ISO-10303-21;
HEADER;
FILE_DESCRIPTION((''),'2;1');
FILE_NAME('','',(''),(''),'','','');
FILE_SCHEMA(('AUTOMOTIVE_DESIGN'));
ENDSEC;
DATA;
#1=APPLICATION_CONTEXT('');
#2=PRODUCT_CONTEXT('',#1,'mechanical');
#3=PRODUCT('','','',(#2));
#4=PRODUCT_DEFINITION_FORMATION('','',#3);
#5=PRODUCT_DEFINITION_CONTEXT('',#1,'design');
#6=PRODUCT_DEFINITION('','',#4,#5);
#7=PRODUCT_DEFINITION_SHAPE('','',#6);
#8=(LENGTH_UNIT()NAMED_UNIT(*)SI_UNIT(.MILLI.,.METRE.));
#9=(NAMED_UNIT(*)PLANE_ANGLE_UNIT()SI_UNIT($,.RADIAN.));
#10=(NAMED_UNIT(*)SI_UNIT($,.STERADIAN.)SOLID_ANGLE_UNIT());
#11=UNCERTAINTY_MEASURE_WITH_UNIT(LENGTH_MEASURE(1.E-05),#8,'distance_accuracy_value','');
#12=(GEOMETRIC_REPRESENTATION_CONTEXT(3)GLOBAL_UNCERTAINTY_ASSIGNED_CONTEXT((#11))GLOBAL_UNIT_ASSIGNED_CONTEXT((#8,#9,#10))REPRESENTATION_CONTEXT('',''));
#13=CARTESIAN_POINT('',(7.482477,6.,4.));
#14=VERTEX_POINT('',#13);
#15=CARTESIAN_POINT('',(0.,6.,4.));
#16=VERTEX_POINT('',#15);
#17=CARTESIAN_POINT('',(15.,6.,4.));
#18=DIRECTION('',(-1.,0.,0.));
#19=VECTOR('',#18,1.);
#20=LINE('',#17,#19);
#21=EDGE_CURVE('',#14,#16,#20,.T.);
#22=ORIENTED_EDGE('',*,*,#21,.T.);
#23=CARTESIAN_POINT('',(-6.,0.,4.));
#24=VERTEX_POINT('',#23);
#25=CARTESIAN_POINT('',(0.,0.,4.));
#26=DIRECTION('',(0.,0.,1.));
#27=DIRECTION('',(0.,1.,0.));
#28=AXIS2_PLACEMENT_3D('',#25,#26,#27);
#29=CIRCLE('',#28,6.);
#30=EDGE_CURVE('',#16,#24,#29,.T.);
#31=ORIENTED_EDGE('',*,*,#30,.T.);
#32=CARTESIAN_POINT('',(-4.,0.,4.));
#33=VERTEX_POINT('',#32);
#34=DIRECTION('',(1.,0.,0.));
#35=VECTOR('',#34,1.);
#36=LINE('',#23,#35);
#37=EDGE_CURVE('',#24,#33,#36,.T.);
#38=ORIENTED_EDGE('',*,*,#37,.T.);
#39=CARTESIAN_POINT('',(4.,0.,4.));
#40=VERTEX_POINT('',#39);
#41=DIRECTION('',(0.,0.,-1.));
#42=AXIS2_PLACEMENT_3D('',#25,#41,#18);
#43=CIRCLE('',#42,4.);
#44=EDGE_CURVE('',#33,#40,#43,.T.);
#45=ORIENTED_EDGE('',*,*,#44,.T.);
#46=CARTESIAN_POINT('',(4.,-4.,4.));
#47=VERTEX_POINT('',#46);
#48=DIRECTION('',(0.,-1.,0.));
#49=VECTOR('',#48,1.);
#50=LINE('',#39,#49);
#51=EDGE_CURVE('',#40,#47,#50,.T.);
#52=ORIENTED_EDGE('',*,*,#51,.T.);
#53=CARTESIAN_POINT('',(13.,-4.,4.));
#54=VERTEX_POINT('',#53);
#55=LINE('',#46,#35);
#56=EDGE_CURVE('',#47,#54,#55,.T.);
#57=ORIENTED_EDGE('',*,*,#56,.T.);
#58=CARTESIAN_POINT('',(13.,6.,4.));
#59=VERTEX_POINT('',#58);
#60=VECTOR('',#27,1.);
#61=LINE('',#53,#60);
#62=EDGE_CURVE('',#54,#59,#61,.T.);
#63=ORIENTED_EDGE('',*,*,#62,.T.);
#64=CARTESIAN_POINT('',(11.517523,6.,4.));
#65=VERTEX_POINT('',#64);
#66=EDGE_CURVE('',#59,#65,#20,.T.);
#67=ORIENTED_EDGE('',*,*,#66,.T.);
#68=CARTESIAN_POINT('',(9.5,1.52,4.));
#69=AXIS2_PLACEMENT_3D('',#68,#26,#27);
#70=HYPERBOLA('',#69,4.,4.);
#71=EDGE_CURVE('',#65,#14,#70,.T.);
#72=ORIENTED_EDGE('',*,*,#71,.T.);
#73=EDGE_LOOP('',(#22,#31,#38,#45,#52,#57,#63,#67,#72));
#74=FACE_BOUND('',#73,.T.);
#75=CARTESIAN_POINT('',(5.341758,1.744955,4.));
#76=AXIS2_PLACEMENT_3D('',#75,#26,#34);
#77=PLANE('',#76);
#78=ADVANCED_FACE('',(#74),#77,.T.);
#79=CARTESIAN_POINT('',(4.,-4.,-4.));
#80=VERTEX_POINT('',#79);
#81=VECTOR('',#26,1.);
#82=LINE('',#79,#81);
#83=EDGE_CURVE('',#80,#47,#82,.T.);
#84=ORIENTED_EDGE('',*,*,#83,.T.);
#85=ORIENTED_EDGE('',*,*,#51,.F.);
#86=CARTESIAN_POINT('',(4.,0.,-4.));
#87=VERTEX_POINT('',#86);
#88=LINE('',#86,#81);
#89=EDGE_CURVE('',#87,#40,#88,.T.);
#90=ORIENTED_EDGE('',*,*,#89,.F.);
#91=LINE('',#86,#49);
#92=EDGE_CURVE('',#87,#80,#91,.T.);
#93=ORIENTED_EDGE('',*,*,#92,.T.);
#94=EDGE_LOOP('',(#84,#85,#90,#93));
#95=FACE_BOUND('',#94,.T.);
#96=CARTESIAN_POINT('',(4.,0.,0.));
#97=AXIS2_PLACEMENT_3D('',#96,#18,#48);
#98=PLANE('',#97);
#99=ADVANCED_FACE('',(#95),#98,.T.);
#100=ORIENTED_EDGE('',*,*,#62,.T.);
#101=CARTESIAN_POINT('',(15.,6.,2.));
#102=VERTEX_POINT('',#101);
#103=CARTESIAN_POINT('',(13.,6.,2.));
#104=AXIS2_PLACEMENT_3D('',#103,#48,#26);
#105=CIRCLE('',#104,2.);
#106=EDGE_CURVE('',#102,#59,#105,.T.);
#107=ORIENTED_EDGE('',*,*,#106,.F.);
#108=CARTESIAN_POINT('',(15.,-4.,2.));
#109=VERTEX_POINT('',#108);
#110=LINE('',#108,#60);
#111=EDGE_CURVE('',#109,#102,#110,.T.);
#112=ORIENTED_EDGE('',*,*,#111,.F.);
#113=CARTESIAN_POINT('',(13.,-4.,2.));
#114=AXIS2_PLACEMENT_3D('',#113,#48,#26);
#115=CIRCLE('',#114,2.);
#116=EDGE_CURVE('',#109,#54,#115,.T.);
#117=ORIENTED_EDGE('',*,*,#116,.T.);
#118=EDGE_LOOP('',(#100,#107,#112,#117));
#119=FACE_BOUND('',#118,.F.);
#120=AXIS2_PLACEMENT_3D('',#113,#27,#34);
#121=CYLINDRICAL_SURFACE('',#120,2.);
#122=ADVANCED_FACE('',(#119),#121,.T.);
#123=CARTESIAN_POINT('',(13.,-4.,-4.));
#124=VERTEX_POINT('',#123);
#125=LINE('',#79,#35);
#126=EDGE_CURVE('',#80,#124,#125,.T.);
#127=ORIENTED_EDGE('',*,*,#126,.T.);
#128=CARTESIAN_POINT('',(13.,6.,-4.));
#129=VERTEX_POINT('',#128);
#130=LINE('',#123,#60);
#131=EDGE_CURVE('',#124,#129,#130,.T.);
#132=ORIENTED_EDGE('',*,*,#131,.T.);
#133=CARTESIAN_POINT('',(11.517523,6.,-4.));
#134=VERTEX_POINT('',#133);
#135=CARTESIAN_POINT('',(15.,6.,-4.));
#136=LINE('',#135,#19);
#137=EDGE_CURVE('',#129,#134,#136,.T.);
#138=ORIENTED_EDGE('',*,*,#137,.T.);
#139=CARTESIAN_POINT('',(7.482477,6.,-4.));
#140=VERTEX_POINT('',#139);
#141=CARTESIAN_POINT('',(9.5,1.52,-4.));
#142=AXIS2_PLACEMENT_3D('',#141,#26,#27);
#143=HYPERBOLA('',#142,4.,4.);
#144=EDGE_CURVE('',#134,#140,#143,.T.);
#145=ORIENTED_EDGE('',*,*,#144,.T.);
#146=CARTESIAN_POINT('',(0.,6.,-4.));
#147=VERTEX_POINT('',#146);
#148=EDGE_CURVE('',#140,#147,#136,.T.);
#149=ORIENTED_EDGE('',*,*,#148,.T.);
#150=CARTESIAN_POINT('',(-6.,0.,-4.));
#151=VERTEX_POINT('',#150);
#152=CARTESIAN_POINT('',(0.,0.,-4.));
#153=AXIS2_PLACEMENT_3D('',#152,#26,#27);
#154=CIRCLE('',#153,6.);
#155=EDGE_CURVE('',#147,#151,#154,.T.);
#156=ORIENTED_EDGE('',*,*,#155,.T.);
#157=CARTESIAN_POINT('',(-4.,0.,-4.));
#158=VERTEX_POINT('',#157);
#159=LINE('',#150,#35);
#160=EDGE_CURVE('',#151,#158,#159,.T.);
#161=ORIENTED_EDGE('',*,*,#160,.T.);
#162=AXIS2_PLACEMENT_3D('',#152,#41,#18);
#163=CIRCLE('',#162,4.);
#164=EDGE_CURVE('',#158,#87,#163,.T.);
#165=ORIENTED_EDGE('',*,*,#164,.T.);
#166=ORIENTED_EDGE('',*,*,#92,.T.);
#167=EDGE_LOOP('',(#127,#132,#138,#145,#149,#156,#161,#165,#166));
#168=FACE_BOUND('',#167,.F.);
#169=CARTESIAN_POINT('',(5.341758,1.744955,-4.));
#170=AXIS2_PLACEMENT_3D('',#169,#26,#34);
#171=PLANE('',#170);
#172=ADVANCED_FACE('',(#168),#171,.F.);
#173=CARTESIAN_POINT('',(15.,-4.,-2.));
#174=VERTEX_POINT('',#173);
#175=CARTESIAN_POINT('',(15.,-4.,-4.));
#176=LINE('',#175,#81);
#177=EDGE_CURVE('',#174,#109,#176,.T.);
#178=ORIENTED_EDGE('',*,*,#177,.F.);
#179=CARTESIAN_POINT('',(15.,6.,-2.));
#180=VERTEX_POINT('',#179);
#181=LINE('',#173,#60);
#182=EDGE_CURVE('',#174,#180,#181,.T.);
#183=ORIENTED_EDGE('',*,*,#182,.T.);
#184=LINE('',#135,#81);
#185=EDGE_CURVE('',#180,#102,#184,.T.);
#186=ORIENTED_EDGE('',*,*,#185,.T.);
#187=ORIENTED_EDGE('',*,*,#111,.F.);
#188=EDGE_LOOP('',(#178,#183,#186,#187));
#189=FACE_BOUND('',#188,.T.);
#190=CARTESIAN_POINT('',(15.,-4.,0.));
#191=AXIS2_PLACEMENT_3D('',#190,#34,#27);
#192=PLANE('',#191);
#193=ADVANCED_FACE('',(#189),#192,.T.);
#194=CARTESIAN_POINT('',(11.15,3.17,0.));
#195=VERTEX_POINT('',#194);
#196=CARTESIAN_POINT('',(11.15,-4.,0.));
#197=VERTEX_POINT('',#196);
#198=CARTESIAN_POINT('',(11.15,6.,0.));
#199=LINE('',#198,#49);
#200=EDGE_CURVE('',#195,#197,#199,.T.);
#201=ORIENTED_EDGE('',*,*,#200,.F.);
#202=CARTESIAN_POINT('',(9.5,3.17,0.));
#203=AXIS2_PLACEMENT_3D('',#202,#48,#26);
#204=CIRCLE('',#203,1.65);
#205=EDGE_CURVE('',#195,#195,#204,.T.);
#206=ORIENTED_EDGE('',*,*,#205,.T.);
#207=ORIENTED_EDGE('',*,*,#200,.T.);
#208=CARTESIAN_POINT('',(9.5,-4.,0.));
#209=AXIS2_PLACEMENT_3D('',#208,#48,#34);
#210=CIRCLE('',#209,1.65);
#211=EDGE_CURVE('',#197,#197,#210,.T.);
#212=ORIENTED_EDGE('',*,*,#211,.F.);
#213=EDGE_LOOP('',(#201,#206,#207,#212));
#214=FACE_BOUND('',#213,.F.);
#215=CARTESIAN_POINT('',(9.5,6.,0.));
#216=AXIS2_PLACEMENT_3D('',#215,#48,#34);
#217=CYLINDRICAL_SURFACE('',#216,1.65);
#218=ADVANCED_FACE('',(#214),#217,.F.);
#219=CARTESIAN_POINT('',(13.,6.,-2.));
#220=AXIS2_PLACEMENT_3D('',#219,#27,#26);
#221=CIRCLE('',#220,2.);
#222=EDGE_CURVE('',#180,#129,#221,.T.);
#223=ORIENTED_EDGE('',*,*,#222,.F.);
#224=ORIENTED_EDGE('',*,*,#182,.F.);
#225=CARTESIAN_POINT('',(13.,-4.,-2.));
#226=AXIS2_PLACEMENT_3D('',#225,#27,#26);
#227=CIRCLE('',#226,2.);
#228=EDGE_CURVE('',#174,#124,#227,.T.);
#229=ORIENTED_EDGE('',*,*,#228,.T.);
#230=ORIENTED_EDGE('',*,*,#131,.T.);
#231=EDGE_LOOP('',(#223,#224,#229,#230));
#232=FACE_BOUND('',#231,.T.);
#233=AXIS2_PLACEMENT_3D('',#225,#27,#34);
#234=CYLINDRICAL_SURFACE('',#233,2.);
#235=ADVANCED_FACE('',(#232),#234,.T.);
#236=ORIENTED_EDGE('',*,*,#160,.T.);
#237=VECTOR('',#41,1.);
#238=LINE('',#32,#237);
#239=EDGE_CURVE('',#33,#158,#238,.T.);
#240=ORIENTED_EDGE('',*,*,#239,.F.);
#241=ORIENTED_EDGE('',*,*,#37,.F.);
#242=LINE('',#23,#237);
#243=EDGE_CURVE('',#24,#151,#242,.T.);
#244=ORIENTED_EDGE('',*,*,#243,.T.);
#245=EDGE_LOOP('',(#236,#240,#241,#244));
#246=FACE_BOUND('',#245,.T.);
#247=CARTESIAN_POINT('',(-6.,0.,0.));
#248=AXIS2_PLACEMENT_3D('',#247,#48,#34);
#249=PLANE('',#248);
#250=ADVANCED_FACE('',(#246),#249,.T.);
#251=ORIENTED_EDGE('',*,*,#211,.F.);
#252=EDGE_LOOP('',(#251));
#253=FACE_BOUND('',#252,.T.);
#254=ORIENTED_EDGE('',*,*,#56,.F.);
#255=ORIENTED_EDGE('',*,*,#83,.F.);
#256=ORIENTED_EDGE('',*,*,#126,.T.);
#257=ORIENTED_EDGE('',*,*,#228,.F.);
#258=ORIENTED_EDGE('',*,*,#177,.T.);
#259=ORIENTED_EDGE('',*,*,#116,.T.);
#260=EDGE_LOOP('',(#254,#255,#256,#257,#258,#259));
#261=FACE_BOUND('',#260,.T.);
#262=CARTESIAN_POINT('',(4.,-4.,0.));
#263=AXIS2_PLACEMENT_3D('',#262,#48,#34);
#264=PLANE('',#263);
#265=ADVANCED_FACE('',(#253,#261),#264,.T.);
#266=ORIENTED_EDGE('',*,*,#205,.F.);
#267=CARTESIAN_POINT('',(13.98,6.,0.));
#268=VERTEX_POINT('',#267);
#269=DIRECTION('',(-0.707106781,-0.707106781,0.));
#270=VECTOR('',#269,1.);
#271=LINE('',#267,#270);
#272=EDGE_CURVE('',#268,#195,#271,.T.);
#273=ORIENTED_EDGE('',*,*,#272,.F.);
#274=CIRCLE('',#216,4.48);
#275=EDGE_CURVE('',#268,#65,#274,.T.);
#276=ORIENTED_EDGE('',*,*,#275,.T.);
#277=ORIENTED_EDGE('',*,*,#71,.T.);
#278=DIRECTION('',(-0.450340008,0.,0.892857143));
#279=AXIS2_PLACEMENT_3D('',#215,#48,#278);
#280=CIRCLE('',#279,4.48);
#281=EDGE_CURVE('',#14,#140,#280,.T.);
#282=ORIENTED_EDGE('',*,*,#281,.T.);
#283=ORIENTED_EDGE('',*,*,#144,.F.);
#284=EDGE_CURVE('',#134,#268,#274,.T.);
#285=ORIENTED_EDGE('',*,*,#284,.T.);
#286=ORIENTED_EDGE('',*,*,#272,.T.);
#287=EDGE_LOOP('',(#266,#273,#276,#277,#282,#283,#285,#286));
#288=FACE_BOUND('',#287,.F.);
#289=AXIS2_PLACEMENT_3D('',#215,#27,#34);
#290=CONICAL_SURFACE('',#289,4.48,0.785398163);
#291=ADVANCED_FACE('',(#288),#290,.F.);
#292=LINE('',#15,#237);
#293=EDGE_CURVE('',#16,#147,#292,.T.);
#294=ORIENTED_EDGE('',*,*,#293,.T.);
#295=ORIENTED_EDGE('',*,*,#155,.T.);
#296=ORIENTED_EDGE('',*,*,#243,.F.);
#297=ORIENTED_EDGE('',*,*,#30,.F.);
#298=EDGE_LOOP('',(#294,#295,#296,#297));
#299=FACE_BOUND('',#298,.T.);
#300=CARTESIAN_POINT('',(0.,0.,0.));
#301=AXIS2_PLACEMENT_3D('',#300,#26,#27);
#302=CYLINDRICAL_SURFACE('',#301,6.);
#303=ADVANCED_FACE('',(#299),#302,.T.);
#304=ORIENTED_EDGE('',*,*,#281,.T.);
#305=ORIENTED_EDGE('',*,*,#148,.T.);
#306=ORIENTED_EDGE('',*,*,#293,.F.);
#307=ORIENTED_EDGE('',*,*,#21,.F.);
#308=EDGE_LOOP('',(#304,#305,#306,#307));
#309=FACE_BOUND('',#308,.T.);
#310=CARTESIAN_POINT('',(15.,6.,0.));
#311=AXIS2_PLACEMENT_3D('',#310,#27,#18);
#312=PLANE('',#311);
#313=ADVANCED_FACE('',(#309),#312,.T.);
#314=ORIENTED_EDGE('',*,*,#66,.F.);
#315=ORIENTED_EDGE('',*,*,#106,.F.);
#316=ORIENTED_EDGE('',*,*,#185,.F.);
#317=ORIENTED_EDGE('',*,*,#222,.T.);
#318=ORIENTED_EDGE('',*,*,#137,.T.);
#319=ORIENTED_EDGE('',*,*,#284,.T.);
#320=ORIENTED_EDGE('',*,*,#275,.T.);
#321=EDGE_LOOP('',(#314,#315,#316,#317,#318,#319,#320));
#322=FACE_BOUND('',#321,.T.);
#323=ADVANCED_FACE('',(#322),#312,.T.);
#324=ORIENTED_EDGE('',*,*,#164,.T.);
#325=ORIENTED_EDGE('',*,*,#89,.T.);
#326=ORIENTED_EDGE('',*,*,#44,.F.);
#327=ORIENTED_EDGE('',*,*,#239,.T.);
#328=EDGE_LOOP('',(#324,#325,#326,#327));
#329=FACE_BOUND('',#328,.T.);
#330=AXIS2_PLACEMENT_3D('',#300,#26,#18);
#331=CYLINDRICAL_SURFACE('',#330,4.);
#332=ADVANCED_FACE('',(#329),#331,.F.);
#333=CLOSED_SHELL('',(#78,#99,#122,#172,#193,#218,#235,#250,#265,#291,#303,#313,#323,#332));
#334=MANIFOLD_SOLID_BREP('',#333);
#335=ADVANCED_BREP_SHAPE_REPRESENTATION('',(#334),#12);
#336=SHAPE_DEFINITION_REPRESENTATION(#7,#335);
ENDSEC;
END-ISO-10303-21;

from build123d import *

# Parameters (mm, degrees)
F1_DEPTH       = 4
F3_D           = 3.3
F3_CSINK_D     = 8.96
F3_CSINK_ANGLE = 90
F4_R           = 2


with BuildPart() as f1:
    # F0 (on Top) → F1 (new body, symmetric)
    with BuildSketch(Plane.XY):
        with BuildLine():
            ThreePointArc((-4, 0), (0, 4), (4, 0))
            Line((4, 0), (4, -4))
            Line((4, -4), (15, -4))
            Line((15, -4), (15, 6))
            Line((15, 6), (0, 6))
            ThreePointArc((0, 6), (-4.2426406871, 4.2426406871), (-6, 0))
            Line((-6, 0), (-4, 0))
        make_face()
    extrude(amount=F1_DEPTH, both=True)

    # F3 (through all)
    with Locations(Plane(origin=(0, 6, 0), x_dir=(-1, 0, 0), z_dir=(0, 1, 0))):
        with Locations((-9.5, 0)):
            CounterSinkHole(F3_D / 2, F3_CSINK_D / 2, counter_sink_angle=F3_CSINK_ANGLE)

    # F4
    f4_edges = [f1.edges().sort_by_distance(p)[0] for p in [
        (15, 1, -4),
        (15, 1, 4),
    ]]
    fillet(f4_edges, radius=F4_R)


solid = f1.part
